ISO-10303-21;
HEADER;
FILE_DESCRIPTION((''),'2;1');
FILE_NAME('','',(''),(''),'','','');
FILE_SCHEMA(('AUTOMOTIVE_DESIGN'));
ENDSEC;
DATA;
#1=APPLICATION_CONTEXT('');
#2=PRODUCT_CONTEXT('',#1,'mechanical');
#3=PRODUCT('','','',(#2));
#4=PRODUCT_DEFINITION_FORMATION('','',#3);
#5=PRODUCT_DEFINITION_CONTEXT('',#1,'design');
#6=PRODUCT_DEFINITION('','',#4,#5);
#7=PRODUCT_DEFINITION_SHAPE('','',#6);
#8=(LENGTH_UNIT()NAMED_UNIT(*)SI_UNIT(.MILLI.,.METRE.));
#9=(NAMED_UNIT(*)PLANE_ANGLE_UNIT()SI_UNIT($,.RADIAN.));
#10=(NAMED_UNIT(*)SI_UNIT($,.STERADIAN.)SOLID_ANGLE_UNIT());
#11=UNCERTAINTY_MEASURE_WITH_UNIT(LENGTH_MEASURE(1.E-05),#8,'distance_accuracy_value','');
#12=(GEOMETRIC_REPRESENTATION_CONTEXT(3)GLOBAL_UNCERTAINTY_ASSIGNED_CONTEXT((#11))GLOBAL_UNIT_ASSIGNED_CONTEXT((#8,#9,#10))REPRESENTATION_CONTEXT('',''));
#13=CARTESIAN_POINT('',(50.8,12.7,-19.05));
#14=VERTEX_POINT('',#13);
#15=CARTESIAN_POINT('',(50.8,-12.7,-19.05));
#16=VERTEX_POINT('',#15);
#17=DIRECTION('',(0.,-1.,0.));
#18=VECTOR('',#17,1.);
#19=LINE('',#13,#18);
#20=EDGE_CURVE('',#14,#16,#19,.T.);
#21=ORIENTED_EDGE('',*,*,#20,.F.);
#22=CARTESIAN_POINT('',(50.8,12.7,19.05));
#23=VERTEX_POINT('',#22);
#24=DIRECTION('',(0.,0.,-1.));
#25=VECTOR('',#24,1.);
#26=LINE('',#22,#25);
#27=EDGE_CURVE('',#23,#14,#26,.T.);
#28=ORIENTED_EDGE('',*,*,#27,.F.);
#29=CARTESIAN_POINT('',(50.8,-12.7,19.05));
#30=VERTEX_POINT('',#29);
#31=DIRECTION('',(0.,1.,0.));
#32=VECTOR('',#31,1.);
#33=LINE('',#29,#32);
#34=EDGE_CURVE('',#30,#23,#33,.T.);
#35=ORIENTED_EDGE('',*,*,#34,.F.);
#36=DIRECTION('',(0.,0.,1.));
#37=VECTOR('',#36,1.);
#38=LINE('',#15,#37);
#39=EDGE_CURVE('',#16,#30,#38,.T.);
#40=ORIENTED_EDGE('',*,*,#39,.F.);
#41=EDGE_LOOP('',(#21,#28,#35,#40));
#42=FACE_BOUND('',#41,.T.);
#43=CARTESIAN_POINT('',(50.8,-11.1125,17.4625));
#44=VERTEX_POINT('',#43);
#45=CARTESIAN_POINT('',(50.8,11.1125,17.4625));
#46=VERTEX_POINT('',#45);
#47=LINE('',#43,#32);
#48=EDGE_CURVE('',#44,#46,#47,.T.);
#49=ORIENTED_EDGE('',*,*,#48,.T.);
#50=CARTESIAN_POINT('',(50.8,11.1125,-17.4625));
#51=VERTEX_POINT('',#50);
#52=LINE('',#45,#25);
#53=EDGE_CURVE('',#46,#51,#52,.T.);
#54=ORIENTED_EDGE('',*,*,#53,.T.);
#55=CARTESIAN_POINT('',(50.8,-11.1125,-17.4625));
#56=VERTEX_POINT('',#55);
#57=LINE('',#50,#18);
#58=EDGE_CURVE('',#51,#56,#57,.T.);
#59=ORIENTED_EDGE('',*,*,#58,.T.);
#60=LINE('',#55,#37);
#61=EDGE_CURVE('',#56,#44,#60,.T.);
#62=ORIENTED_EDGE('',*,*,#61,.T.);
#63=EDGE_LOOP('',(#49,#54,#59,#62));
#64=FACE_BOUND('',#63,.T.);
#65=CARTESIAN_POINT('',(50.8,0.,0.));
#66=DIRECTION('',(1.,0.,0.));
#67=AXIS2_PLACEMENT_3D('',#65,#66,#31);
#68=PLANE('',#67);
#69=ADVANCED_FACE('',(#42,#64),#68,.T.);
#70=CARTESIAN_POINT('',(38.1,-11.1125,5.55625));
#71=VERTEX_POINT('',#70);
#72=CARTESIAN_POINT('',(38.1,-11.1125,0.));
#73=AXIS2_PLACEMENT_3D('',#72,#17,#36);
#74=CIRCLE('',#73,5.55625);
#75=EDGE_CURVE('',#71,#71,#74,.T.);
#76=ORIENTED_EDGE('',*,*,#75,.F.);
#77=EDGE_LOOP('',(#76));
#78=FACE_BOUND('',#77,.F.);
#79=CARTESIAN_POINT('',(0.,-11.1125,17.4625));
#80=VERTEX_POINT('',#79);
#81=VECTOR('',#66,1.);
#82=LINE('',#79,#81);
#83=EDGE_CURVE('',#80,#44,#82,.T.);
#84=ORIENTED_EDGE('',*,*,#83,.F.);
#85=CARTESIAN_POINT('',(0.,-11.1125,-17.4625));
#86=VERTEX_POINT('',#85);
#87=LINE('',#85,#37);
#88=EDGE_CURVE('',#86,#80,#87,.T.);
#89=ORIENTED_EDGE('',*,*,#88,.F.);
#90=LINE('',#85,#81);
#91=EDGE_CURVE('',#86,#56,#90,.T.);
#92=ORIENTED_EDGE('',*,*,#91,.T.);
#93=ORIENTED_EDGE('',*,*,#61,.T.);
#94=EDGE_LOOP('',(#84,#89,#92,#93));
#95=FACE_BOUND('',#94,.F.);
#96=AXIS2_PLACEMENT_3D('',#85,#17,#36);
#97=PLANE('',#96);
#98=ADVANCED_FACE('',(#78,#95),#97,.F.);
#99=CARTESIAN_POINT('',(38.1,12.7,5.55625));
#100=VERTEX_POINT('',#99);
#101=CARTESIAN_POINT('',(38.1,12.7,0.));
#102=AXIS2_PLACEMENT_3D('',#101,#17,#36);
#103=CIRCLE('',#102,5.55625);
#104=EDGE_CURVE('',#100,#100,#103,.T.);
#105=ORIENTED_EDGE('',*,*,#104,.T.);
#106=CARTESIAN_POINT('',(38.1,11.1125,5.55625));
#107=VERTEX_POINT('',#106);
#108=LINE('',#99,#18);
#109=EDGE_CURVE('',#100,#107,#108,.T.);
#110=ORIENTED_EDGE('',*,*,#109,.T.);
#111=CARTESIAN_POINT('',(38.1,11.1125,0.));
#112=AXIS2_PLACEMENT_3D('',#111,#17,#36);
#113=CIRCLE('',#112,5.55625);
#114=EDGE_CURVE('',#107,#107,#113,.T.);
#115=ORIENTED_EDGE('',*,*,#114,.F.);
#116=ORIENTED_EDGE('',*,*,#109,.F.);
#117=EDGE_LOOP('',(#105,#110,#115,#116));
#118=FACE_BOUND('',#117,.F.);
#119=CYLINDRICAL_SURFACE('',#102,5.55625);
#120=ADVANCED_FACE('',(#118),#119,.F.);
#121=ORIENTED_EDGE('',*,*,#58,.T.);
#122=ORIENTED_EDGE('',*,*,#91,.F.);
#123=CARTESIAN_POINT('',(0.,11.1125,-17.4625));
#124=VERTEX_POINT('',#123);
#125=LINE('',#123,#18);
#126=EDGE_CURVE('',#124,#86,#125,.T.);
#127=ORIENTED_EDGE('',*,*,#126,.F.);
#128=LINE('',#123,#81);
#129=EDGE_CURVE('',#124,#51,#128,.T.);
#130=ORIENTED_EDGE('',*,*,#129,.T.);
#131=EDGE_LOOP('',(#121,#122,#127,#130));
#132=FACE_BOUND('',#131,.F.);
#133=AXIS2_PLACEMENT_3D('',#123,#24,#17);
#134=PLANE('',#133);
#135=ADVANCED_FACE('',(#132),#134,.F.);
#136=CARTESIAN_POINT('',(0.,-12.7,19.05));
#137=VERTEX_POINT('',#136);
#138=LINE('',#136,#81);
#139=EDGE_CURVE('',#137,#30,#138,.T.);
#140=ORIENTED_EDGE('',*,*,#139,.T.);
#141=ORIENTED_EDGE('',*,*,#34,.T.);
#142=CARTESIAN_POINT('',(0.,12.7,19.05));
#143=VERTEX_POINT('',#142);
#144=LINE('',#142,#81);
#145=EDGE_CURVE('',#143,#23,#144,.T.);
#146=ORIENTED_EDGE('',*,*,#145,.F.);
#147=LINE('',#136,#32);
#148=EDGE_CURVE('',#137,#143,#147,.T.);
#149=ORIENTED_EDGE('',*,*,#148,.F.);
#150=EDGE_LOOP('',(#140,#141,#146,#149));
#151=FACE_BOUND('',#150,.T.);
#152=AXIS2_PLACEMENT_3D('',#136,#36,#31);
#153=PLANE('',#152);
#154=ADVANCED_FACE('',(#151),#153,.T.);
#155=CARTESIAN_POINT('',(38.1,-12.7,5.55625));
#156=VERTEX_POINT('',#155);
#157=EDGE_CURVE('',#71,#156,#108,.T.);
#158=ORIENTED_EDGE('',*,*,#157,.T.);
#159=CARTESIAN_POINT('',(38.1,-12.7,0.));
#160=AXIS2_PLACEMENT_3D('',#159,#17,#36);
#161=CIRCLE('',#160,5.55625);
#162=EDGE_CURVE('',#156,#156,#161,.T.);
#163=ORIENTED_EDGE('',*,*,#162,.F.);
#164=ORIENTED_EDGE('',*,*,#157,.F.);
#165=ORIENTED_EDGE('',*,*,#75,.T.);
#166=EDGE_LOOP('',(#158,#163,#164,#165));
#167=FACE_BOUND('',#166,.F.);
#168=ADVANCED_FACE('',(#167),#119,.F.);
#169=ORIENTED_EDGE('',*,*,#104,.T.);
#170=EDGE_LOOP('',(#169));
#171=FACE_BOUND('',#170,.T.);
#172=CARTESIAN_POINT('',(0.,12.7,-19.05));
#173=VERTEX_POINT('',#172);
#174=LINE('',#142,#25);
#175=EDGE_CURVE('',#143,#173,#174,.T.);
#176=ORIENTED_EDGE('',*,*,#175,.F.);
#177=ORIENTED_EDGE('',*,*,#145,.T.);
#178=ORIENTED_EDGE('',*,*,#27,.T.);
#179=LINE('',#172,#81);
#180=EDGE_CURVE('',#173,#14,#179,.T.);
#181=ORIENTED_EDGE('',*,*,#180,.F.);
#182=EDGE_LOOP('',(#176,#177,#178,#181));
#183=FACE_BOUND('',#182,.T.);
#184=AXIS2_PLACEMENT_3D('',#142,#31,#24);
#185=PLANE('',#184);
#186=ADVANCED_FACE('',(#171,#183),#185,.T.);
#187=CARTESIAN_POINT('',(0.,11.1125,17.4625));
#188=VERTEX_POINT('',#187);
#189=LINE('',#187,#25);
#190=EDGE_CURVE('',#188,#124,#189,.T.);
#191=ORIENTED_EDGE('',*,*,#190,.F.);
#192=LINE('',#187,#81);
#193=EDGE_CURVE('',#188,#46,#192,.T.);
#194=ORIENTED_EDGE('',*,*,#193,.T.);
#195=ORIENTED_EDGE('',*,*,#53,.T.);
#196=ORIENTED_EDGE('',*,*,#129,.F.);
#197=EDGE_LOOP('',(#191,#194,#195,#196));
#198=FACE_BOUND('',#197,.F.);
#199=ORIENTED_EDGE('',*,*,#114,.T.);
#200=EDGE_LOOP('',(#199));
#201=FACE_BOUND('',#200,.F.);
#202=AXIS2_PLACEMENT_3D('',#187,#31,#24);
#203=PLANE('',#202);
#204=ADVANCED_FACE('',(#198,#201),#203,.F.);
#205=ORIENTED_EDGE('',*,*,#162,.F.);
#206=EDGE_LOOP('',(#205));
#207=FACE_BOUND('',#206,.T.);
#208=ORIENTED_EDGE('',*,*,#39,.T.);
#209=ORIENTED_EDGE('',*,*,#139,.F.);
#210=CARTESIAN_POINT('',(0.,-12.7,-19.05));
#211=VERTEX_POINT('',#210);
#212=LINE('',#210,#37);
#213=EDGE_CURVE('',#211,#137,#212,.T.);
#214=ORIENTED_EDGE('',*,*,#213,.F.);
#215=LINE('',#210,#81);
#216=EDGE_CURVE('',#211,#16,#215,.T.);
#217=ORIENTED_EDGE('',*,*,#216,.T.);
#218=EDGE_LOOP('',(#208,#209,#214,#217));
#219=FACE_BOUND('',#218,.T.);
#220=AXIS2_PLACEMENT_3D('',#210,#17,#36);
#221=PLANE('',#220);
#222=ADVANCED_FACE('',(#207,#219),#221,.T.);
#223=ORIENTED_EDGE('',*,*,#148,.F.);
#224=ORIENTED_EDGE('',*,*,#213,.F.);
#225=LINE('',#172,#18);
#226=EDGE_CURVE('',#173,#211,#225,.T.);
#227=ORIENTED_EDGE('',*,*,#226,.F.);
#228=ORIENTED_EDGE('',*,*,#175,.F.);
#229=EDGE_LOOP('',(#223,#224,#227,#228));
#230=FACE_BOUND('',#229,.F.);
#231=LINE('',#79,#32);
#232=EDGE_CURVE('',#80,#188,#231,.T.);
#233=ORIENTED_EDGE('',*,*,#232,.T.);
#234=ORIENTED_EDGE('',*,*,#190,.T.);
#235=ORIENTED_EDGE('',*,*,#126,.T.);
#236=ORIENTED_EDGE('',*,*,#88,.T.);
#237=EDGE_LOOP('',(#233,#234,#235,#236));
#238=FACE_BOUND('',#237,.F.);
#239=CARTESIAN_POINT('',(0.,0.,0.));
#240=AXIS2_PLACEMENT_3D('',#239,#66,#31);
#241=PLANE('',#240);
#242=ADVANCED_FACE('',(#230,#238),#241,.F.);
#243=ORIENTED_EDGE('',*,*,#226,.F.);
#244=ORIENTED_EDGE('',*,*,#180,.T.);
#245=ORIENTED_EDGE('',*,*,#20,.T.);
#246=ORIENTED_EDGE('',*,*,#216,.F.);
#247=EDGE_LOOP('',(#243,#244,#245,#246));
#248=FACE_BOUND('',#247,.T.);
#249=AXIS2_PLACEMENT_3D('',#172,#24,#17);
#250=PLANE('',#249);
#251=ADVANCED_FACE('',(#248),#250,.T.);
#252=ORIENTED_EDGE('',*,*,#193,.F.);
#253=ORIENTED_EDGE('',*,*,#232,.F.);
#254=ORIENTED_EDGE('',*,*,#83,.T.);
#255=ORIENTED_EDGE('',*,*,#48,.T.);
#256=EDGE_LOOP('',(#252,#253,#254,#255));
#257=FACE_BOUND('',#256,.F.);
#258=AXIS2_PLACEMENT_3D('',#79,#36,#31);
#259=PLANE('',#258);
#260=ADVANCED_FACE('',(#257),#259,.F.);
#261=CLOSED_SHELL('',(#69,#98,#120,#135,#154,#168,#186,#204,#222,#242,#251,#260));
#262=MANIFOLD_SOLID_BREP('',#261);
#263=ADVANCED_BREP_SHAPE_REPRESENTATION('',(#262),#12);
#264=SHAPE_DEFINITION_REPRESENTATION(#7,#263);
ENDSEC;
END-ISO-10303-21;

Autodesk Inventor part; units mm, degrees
ref_plane "Work Plane3" through (0, 12.7, 0) normal (0, 1, 0) x (-1, 0, 0)
ref_plane "Start Plane" through (0, 0, 0) normal (1, 0, 0) x (0, 1, 0)
ref_plane "End Plane" through (50.8, 0, 0) normal (1, 0, 0) x (0, 1, 0)
sketch "Sketch" plane through (0, 0, 0) normal (1, 0, 0) x (0, 1, 0)
  line L0 (-12.7, 19.05) -> (12.7, 19.05)
  line L1 (12.7, 19.05) -> (12.7, -19.05)
  line L2 (12.7, -19.05) -> (-12.7, -19.05)
  line L3 (-12.7, -19.05) -> (-12.7, 19.05)
  line L4 (-12.7, 19.05) -> (12.7, -19.05) construction
  line L5 (12.7, 19.05) -> (-12.7, -19.05) construction
  line L6 (-11.1125, 17.4625) -> (11.1125, 17.4625)
  line L7 (11.1125, 17.4625) -> (11.1125, -17.4625)
  line L8 (11.1125, -17.4625) -> (-11.1125, -17.4625)
  line L9 (-11.1125, -17.4625) -> (-11.1125, 17.4625)
  line L10 (-11.1125, 17.4625) -> (11.1125, -17.4625) construction
  line L11 (11.1125, 17.4625) -> (-11.1125, -17.4625) construction
  point P0 (0, 0)
  dimension "d0" = 38.1
  dimension "d1" = 25.4
  dimension "d2" = 1.5875
  dimension "d3" = 1.5875
extrude "Body" add sketch "Sketch" along normal up to surface (50.8 mm away) from surface at 0
sketch "Sketch8" plane through (0, 0, 0) normal (1, 0, 0) x (0, 1, 0)
  line L0 (0, 0) -> (10, 0)
ref_plane "Work Plane6" through (0, 0, 0) normal (0, 0, -1) x (0, 1, 0)
sketch "Sketch9" plane through (0, 0, 0) normal (0, 0, -1) x (0, 1, 0)
  line L0 (-17.78, 0) -> (17.78, 0)
  line L1 (-17.78, 50.8) -> (17.78, 50.8)
  dimension "d21" = 50.8
sketch "Sketch5" plane through (0, 12.7, -19.05) normal (0, 1, 0) x (1, 0, 0)
  line L0 (0, -38.1) -> (0, 0) projected
  point P0 (0, -19.05)
  point P1 (38.1, -19.05)
  dimension "d22" = 38.1
hole "Hole2" at (38.1, 12.7, 0) direction (0, -1, 0) diameter 11.1125 end through all
equation "\"d3\" = d2"
equation "\"G_OFFSET_START\" = 0"
equation "\"G_OFFSET_END\" = 0"
equation "\"d17\" = d4 + G_OFFSET_END"
equation "\"G_L\" = d21"
equation "\"d4\" = 50.8"
properties part number "1605682975212"
